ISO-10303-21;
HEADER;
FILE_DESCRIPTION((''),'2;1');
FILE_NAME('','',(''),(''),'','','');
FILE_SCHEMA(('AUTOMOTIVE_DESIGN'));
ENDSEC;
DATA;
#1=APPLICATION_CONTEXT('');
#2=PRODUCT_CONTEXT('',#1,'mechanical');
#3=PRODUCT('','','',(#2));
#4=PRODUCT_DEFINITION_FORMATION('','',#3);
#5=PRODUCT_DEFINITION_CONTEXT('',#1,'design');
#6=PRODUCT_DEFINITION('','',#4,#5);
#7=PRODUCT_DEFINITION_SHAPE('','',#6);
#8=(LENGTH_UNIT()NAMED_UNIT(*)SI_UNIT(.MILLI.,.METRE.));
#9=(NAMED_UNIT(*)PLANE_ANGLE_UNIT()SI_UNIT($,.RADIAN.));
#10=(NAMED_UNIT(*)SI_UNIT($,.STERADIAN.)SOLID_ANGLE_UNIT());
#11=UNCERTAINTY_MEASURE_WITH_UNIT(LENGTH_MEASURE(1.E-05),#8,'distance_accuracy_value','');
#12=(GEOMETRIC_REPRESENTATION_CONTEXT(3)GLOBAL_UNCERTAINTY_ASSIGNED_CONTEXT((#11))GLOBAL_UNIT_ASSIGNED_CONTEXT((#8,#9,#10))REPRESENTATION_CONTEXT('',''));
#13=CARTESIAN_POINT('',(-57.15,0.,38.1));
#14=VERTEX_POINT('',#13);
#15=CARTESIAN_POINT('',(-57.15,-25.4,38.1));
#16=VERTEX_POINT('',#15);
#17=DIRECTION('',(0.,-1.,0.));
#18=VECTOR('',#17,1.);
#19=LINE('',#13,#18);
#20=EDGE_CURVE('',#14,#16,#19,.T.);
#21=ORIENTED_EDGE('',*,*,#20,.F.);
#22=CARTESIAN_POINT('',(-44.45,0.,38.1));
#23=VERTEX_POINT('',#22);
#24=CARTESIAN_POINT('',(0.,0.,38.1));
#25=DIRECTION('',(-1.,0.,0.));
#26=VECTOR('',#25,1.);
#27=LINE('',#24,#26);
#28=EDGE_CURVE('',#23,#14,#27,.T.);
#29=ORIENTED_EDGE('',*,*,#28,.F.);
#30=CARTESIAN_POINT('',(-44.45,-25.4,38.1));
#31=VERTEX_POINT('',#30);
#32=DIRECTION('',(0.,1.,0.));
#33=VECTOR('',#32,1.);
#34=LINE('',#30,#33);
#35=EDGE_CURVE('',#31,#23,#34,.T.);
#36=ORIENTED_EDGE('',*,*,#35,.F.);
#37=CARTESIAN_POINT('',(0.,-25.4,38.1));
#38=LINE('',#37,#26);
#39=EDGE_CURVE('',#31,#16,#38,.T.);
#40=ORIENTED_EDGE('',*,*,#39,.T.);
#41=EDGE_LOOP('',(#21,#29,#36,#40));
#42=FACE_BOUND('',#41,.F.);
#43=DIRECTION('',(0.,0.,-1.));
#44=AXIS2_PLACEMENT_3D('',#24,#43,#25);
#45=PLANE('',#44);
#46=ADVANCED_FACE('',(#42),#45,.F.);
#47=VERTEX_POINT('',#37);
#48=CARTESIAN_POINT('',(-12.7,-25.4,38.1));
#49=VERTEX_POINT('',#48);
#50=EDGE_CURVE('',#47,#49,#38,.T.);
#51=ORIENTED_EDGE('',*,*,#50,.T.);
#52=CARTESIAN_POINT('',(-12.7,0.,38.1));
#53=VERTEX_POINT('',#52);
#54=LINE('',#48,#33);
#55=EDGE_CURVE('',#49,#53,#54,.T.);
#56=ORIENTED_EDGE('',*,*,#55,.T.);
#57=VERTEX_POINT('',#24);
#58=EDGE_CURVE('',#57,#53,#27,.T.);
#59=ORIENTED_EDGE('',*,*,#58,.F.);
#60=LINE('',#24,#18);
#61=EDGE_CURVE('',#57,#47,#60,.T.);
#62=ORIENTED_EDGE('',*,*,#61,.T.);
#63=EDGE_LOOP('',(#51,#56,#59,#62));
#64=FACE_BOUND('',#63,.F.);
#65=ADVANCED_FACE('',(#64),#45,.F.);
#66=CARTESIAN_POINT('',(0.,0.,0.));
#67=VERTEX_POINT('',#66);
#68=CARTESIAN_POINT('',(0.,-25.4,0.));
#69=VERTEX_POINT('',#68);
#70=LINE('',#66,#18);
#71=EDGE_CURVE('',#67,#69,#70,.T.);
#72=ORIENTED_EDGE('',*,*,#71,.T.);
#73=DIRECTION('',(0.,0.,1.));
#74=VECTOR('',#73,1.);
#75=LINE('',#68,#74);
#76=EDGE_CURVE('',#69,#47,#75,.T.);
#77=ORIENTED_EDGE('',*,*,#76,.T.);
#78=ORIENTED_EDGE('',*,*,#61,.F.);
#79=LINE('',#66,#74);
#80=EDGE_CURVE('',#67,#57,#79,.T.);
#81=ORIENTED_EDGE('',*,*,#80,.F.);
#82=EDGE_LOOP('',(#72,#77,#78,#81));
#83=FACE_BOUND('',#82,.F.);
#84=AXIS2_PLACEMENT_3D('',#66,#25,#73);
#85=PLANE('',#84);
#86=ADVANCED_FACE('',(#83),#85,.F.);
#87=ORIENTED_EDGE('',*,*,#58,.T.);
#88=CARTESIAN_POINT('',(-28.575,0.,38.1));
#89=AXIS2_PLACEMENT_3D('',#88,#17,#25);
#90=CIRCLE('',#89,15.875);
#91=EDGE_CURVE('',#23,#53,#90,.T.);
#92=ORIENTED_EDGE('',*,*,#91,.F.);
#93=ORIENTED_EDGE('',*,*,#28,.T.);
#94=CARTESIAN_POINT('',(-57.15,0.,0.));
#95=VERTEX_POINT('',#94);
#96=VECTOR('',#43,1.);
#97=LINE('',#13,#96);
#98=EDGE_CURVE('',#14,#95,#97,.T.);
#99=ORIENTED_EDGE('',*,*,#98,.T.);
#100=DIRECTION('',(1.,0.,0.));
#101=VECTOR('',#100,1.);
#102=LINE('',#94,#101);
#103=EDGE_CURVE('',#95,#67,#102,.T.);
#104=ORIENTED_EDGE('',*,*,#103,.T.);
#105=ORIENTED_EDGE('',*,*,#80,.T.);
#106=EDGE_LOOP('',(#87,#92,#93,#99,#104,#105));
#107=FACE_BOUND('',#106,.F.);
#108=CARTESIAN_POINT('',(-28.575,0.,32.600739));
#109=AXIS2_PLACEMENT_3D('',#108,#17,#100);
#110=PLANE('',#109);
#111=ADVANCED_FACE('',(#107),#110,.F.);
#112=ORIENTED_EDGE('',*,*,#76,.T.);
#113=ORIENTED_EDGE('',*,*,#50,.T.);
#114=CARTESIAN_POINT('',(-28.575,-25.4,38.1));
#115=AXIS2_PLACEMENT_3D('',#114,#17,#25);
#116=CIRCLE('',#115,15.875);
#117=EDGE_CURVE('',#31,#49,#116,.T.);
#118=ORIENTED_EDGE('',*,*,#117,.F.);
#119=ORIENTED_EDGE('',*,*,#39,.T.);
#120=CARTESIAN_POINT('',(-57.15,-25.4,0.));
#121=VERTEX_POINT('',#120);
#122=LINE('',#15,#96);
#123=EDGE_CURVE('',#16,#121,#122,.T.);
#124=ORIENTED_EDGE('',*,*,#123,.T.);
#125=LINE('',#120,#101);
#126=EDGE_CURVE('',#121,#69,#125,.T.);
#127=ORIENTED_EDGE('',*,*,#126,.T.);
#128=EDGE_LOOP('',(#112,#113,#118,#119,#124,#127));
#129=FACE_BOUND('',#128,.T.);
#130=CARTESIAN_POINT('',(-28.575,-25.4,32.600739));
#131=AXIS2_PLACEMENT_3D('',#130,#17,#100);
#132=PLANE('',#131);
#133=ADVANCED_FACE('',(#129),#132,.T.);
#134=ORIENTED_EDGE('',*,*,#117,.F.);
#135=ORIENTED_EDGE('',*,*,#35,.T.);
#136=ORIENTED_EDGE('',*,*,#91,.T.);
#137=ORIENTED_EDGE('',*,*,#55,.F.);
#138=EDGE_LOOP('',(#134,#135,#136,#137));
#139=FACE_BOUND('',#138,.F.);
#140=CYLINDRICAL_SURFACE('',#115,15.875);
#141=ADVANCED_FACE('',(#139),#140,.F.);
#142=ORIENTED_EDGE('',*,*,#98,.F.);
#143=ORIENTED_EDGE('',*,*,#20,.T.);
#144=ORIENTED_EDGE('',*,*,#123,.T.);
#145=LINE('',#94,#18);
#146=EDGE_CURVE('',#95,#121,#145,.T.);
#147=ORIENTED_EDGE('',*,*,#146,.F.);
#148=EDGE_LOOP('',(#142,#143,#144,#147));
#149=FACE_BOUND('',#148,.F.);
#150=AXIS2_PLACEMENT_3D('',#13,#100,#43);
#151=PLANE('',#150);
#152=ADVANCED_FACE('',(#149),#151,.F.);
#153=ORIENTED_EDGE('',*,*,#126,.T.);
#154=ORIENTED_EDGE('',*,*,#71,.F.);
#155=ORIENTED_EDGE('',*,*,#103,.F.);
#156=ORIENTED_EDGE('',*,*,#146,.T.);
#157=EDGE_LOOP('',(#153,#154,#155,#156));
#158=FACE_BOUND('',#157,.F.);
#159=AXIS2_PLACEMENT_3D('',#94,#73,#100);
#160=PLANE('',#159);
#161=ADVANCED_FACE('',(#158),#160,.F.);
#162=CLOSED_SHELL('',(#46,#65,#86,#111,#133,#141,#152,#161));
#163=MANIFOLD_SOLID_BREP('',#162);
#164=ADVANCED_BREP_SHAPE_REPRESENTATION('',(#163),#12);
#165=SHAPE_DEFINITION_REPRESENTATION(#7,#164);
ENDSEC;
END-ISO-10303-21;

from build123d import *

# Parameters (mm, degrees)
F1_DEPTH = 25.4
F3_DEPTH = 25.401


with BuildPart() as f1:
    # F0 (on Front) → F1 (new body)
    with BuildSketch(Plane.XZ):
        with BuildLine():
            ThreePointArc((-44.45, 38.1), (-28.575, 22.225), (-12.7, 38.1))
            Line((-12.7, 38.1), (-44.45, 38.1))
        make_face()
        with BuildLine():
            Line((-57.15, 0), (0, 0))
            Line((0, 0), (0, 38.1))
            Line((0, 38.1), (-12.7, 38.1))
            ThreePointArc((-12.7, 38.1), (-28.575, 22.225), (-44.45, 38.1))
            Line((-44.45, 38.1), (-57.15, 38.1))
            Line((-57.15, 38.1), (-57.15, 0))
        make_face()
    extrude(amount=F1_DEPTH)

    # F2 (on face) → F3 (cut, through all)
    with BuildSketch(Plane.XZ.offset(25.4)):
        with BuildLine():
            Line((-12.7, 38.1), (-44.45, 38.1))
            ThreePointArc((-44.45, 38.1), (-28.575, 22.225), (-12.7, 38.1))
        make_face()
    extrude(amount=-F3_DEPTH, mode=Mode.SUBTRACT)


solid = f1.part
